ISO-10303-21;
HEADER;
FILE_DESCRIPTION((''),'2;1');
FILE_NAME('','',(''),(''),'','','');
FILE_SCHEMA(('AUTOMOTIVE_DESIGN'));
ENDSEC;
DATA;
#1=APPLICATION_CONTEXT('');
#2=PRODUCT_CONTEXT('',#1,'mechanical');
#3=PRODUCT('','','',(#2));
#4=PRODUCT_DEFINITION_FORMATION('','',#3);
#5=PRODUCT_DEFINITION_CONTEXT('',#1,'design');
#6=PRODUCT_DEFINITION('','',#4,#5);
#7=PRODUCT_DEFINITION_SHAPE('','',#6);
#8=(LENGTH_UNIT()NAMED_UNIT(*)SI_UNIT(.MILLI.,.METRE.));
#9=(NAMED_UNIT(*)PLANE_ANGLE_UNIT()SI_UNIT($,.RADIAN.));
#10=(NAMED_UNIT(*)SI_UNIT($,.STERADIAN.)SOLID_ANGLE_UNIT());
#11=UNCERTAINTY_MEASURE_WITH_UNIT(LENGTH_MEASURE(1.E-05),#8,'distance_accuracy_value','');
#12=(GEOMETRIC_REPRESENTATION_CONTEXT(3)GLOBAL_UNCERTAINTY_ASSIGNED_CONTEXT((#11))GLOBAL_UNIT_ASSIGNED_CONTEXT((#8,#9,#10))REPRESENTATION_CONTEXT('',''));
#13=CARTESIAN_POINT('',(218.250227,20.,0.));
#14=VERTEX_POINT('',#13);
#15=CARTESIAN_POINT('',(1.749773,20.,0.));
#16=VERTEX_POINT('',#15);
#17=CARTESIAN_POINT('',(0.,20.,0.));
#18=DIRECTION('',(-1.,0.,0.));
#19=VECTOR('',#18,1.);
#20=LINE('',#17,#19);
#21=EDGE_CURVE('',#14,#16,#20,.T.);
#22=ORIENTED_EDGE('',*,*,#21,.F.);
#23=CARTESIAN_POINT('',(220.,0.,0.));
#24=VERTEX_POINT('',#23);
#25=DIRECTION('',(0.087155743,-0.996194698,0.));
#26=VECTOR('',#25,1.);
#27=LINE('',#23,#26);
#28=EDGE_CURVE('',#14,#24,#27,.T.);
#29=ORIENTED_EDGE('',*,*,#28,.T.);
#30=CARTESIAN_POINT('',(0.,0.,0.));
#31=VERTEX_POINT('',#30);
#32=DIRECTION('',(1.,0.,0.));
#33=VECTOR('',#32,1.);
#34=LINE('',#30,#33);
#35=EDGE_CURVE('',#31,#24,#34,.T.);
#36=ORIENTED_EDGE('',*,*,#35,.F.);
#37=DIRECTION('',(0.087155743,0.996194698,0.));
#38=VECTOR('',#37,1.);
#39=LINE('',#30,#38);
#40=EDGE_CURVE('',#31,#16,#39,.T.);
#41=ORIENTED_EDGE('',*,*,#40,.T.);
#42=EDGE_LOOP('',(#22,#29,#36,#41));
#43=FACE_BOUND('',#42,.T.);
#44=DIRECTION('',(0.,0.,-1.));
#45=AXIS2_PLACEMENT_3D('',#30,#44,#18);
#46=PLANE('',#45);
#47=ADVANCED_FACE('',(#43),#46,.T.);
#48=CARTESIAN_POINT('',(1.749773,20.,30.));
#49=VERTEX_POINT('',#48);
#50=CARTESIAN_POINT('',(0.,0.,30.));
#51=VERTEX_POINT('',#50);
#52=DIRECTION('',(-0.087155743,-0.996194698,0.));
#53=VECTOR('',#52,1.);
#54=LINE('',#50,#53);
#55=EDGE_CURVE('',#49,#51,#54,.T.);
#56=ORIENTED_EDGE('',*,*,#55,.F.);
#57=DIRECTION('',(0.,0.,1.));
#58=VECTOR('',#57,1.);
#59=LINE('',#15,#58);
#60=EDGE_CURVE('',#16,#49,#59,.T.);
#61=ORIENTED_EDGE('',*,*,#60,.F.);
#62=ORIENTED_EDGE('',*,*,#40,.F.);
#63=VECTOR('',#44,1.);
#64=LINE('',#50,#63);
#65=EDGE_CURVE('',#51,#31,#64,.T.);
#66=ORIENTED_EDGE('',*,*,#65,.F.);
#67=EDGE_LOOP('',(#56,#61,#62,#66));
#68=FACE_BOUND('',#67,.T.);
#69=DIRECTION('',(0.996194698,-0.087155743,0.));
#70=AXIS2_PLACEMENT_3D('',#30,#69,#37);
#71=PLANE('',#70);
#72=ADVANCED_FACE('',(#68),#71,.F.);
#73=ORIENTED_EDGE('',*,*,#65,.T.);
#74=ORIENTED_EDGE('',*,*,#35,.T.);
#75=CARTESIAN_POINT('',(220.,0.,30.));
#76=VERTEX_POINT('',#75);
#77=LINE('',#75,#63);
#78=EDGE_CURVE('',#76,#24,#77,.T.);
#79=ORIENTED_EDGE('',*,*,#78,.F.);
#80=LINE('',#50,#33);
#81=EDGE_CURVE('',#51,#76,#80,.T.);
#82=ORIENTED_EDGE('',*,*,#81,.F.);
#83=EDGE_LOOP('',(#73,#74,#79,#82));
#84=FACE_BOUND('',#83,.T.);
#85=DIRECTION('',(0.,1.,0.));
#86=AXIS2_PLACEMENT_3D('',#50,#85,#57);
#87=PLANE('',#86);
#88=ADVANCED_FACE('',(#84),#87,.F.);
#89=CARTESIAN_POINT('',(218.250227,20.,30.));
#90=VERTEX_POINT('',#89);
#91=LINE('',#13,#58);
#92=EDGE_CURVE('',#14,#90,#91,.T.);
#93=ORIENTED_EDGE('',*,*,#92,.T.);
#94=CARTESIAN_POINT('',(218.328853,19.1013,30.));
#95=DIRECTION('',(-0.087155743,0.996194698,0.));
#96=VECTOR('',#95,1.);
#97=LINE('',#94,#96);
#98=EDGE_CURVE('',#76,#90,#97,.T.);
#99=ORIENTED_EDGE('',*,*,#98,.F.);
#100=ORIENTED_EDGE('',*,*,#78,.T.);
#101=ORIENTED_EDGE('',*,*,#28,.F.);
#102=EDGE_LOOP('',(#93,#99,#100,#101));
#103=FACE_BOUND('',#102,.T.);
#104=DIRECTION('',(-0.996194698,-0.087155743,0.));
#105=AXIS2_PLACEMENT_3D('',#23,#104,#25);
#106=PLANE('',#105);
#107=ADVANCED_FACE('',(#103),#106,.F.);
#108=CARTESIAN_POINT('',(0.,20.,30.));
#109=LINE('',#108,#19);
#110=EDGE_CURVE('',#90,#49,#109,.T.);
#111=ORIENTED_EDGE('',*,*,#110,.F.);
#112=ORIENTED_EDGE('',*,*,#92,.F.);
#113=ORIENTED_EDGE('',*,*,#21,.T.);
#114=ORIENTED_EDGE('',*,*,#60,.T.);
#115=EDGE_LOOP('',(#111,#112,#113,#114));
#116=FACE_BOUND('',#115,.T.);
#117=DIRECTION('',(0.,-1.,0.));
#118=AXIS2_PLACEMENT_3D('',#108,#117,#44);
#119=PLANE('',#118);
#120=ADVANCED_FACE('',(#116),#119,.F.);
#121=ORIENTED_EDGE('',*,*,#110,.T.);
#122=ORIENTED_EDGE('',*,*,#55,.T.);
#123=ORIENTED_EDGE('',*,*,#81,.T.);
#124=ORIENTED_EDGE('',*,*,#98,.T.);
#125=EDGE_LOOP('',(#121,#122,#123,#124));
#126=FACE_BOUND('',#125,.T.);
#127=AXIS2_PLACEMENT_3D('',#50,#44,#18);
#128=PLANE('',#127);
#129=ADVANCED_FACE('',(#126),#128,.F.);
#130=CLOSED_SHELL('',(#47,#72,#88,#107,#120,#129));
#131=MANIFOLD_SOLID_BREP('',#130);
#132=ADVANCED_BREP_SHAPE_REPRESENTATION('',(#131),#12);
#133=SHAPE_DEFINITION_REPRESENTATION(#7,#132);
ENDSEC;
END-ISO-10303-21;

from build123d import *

# Parameters (mm, degrees)
ESQUISSE1_W                  = 220
ESQUISSE1_H                  = 20
BOSS_EXTRU_1_DEPTH           = 30
ENL_V_MAT_EXTRU_1_DEPTH      = 223.934968096
ENL_V_MAT_EXTRU_1_DEPTH_BACK = 223.934968096


with BuildPart() as part:
    # Esquisse1 → Boss.-Extru.1 (new body)
    with BuildSketch(Plane.XY):
        with Locations((110, 10)):
            Rectangle(ESQUISSE1_W, ESQUISSE1_H)
    extrude(amount=BOSS_EXTRU_1_DEPTH)

    # Esquisse2 → Enlèv. mat.-Extru.1 (cut, two sides: drawn at the far end of the back side and taken through both)
    with BuildSketch(Plane.XY.offset(30).offset(-ENL_V_MAT_EXTRU_1_DEPTH_BACK)):
        Polygon((0, 0), (1.749773271, 20), (0, 20), align=None)
        Polygon((220, 20), (220, 0), (218.250226729, 20), align=None)
    extrude(amount=ENL_V_MAT_EXTRU_1_DEPTH + ENL_V_MAT_EXTRU_1_DEPTH_BACK, mode=Mode.SUBTRACT)


solid = part.part
